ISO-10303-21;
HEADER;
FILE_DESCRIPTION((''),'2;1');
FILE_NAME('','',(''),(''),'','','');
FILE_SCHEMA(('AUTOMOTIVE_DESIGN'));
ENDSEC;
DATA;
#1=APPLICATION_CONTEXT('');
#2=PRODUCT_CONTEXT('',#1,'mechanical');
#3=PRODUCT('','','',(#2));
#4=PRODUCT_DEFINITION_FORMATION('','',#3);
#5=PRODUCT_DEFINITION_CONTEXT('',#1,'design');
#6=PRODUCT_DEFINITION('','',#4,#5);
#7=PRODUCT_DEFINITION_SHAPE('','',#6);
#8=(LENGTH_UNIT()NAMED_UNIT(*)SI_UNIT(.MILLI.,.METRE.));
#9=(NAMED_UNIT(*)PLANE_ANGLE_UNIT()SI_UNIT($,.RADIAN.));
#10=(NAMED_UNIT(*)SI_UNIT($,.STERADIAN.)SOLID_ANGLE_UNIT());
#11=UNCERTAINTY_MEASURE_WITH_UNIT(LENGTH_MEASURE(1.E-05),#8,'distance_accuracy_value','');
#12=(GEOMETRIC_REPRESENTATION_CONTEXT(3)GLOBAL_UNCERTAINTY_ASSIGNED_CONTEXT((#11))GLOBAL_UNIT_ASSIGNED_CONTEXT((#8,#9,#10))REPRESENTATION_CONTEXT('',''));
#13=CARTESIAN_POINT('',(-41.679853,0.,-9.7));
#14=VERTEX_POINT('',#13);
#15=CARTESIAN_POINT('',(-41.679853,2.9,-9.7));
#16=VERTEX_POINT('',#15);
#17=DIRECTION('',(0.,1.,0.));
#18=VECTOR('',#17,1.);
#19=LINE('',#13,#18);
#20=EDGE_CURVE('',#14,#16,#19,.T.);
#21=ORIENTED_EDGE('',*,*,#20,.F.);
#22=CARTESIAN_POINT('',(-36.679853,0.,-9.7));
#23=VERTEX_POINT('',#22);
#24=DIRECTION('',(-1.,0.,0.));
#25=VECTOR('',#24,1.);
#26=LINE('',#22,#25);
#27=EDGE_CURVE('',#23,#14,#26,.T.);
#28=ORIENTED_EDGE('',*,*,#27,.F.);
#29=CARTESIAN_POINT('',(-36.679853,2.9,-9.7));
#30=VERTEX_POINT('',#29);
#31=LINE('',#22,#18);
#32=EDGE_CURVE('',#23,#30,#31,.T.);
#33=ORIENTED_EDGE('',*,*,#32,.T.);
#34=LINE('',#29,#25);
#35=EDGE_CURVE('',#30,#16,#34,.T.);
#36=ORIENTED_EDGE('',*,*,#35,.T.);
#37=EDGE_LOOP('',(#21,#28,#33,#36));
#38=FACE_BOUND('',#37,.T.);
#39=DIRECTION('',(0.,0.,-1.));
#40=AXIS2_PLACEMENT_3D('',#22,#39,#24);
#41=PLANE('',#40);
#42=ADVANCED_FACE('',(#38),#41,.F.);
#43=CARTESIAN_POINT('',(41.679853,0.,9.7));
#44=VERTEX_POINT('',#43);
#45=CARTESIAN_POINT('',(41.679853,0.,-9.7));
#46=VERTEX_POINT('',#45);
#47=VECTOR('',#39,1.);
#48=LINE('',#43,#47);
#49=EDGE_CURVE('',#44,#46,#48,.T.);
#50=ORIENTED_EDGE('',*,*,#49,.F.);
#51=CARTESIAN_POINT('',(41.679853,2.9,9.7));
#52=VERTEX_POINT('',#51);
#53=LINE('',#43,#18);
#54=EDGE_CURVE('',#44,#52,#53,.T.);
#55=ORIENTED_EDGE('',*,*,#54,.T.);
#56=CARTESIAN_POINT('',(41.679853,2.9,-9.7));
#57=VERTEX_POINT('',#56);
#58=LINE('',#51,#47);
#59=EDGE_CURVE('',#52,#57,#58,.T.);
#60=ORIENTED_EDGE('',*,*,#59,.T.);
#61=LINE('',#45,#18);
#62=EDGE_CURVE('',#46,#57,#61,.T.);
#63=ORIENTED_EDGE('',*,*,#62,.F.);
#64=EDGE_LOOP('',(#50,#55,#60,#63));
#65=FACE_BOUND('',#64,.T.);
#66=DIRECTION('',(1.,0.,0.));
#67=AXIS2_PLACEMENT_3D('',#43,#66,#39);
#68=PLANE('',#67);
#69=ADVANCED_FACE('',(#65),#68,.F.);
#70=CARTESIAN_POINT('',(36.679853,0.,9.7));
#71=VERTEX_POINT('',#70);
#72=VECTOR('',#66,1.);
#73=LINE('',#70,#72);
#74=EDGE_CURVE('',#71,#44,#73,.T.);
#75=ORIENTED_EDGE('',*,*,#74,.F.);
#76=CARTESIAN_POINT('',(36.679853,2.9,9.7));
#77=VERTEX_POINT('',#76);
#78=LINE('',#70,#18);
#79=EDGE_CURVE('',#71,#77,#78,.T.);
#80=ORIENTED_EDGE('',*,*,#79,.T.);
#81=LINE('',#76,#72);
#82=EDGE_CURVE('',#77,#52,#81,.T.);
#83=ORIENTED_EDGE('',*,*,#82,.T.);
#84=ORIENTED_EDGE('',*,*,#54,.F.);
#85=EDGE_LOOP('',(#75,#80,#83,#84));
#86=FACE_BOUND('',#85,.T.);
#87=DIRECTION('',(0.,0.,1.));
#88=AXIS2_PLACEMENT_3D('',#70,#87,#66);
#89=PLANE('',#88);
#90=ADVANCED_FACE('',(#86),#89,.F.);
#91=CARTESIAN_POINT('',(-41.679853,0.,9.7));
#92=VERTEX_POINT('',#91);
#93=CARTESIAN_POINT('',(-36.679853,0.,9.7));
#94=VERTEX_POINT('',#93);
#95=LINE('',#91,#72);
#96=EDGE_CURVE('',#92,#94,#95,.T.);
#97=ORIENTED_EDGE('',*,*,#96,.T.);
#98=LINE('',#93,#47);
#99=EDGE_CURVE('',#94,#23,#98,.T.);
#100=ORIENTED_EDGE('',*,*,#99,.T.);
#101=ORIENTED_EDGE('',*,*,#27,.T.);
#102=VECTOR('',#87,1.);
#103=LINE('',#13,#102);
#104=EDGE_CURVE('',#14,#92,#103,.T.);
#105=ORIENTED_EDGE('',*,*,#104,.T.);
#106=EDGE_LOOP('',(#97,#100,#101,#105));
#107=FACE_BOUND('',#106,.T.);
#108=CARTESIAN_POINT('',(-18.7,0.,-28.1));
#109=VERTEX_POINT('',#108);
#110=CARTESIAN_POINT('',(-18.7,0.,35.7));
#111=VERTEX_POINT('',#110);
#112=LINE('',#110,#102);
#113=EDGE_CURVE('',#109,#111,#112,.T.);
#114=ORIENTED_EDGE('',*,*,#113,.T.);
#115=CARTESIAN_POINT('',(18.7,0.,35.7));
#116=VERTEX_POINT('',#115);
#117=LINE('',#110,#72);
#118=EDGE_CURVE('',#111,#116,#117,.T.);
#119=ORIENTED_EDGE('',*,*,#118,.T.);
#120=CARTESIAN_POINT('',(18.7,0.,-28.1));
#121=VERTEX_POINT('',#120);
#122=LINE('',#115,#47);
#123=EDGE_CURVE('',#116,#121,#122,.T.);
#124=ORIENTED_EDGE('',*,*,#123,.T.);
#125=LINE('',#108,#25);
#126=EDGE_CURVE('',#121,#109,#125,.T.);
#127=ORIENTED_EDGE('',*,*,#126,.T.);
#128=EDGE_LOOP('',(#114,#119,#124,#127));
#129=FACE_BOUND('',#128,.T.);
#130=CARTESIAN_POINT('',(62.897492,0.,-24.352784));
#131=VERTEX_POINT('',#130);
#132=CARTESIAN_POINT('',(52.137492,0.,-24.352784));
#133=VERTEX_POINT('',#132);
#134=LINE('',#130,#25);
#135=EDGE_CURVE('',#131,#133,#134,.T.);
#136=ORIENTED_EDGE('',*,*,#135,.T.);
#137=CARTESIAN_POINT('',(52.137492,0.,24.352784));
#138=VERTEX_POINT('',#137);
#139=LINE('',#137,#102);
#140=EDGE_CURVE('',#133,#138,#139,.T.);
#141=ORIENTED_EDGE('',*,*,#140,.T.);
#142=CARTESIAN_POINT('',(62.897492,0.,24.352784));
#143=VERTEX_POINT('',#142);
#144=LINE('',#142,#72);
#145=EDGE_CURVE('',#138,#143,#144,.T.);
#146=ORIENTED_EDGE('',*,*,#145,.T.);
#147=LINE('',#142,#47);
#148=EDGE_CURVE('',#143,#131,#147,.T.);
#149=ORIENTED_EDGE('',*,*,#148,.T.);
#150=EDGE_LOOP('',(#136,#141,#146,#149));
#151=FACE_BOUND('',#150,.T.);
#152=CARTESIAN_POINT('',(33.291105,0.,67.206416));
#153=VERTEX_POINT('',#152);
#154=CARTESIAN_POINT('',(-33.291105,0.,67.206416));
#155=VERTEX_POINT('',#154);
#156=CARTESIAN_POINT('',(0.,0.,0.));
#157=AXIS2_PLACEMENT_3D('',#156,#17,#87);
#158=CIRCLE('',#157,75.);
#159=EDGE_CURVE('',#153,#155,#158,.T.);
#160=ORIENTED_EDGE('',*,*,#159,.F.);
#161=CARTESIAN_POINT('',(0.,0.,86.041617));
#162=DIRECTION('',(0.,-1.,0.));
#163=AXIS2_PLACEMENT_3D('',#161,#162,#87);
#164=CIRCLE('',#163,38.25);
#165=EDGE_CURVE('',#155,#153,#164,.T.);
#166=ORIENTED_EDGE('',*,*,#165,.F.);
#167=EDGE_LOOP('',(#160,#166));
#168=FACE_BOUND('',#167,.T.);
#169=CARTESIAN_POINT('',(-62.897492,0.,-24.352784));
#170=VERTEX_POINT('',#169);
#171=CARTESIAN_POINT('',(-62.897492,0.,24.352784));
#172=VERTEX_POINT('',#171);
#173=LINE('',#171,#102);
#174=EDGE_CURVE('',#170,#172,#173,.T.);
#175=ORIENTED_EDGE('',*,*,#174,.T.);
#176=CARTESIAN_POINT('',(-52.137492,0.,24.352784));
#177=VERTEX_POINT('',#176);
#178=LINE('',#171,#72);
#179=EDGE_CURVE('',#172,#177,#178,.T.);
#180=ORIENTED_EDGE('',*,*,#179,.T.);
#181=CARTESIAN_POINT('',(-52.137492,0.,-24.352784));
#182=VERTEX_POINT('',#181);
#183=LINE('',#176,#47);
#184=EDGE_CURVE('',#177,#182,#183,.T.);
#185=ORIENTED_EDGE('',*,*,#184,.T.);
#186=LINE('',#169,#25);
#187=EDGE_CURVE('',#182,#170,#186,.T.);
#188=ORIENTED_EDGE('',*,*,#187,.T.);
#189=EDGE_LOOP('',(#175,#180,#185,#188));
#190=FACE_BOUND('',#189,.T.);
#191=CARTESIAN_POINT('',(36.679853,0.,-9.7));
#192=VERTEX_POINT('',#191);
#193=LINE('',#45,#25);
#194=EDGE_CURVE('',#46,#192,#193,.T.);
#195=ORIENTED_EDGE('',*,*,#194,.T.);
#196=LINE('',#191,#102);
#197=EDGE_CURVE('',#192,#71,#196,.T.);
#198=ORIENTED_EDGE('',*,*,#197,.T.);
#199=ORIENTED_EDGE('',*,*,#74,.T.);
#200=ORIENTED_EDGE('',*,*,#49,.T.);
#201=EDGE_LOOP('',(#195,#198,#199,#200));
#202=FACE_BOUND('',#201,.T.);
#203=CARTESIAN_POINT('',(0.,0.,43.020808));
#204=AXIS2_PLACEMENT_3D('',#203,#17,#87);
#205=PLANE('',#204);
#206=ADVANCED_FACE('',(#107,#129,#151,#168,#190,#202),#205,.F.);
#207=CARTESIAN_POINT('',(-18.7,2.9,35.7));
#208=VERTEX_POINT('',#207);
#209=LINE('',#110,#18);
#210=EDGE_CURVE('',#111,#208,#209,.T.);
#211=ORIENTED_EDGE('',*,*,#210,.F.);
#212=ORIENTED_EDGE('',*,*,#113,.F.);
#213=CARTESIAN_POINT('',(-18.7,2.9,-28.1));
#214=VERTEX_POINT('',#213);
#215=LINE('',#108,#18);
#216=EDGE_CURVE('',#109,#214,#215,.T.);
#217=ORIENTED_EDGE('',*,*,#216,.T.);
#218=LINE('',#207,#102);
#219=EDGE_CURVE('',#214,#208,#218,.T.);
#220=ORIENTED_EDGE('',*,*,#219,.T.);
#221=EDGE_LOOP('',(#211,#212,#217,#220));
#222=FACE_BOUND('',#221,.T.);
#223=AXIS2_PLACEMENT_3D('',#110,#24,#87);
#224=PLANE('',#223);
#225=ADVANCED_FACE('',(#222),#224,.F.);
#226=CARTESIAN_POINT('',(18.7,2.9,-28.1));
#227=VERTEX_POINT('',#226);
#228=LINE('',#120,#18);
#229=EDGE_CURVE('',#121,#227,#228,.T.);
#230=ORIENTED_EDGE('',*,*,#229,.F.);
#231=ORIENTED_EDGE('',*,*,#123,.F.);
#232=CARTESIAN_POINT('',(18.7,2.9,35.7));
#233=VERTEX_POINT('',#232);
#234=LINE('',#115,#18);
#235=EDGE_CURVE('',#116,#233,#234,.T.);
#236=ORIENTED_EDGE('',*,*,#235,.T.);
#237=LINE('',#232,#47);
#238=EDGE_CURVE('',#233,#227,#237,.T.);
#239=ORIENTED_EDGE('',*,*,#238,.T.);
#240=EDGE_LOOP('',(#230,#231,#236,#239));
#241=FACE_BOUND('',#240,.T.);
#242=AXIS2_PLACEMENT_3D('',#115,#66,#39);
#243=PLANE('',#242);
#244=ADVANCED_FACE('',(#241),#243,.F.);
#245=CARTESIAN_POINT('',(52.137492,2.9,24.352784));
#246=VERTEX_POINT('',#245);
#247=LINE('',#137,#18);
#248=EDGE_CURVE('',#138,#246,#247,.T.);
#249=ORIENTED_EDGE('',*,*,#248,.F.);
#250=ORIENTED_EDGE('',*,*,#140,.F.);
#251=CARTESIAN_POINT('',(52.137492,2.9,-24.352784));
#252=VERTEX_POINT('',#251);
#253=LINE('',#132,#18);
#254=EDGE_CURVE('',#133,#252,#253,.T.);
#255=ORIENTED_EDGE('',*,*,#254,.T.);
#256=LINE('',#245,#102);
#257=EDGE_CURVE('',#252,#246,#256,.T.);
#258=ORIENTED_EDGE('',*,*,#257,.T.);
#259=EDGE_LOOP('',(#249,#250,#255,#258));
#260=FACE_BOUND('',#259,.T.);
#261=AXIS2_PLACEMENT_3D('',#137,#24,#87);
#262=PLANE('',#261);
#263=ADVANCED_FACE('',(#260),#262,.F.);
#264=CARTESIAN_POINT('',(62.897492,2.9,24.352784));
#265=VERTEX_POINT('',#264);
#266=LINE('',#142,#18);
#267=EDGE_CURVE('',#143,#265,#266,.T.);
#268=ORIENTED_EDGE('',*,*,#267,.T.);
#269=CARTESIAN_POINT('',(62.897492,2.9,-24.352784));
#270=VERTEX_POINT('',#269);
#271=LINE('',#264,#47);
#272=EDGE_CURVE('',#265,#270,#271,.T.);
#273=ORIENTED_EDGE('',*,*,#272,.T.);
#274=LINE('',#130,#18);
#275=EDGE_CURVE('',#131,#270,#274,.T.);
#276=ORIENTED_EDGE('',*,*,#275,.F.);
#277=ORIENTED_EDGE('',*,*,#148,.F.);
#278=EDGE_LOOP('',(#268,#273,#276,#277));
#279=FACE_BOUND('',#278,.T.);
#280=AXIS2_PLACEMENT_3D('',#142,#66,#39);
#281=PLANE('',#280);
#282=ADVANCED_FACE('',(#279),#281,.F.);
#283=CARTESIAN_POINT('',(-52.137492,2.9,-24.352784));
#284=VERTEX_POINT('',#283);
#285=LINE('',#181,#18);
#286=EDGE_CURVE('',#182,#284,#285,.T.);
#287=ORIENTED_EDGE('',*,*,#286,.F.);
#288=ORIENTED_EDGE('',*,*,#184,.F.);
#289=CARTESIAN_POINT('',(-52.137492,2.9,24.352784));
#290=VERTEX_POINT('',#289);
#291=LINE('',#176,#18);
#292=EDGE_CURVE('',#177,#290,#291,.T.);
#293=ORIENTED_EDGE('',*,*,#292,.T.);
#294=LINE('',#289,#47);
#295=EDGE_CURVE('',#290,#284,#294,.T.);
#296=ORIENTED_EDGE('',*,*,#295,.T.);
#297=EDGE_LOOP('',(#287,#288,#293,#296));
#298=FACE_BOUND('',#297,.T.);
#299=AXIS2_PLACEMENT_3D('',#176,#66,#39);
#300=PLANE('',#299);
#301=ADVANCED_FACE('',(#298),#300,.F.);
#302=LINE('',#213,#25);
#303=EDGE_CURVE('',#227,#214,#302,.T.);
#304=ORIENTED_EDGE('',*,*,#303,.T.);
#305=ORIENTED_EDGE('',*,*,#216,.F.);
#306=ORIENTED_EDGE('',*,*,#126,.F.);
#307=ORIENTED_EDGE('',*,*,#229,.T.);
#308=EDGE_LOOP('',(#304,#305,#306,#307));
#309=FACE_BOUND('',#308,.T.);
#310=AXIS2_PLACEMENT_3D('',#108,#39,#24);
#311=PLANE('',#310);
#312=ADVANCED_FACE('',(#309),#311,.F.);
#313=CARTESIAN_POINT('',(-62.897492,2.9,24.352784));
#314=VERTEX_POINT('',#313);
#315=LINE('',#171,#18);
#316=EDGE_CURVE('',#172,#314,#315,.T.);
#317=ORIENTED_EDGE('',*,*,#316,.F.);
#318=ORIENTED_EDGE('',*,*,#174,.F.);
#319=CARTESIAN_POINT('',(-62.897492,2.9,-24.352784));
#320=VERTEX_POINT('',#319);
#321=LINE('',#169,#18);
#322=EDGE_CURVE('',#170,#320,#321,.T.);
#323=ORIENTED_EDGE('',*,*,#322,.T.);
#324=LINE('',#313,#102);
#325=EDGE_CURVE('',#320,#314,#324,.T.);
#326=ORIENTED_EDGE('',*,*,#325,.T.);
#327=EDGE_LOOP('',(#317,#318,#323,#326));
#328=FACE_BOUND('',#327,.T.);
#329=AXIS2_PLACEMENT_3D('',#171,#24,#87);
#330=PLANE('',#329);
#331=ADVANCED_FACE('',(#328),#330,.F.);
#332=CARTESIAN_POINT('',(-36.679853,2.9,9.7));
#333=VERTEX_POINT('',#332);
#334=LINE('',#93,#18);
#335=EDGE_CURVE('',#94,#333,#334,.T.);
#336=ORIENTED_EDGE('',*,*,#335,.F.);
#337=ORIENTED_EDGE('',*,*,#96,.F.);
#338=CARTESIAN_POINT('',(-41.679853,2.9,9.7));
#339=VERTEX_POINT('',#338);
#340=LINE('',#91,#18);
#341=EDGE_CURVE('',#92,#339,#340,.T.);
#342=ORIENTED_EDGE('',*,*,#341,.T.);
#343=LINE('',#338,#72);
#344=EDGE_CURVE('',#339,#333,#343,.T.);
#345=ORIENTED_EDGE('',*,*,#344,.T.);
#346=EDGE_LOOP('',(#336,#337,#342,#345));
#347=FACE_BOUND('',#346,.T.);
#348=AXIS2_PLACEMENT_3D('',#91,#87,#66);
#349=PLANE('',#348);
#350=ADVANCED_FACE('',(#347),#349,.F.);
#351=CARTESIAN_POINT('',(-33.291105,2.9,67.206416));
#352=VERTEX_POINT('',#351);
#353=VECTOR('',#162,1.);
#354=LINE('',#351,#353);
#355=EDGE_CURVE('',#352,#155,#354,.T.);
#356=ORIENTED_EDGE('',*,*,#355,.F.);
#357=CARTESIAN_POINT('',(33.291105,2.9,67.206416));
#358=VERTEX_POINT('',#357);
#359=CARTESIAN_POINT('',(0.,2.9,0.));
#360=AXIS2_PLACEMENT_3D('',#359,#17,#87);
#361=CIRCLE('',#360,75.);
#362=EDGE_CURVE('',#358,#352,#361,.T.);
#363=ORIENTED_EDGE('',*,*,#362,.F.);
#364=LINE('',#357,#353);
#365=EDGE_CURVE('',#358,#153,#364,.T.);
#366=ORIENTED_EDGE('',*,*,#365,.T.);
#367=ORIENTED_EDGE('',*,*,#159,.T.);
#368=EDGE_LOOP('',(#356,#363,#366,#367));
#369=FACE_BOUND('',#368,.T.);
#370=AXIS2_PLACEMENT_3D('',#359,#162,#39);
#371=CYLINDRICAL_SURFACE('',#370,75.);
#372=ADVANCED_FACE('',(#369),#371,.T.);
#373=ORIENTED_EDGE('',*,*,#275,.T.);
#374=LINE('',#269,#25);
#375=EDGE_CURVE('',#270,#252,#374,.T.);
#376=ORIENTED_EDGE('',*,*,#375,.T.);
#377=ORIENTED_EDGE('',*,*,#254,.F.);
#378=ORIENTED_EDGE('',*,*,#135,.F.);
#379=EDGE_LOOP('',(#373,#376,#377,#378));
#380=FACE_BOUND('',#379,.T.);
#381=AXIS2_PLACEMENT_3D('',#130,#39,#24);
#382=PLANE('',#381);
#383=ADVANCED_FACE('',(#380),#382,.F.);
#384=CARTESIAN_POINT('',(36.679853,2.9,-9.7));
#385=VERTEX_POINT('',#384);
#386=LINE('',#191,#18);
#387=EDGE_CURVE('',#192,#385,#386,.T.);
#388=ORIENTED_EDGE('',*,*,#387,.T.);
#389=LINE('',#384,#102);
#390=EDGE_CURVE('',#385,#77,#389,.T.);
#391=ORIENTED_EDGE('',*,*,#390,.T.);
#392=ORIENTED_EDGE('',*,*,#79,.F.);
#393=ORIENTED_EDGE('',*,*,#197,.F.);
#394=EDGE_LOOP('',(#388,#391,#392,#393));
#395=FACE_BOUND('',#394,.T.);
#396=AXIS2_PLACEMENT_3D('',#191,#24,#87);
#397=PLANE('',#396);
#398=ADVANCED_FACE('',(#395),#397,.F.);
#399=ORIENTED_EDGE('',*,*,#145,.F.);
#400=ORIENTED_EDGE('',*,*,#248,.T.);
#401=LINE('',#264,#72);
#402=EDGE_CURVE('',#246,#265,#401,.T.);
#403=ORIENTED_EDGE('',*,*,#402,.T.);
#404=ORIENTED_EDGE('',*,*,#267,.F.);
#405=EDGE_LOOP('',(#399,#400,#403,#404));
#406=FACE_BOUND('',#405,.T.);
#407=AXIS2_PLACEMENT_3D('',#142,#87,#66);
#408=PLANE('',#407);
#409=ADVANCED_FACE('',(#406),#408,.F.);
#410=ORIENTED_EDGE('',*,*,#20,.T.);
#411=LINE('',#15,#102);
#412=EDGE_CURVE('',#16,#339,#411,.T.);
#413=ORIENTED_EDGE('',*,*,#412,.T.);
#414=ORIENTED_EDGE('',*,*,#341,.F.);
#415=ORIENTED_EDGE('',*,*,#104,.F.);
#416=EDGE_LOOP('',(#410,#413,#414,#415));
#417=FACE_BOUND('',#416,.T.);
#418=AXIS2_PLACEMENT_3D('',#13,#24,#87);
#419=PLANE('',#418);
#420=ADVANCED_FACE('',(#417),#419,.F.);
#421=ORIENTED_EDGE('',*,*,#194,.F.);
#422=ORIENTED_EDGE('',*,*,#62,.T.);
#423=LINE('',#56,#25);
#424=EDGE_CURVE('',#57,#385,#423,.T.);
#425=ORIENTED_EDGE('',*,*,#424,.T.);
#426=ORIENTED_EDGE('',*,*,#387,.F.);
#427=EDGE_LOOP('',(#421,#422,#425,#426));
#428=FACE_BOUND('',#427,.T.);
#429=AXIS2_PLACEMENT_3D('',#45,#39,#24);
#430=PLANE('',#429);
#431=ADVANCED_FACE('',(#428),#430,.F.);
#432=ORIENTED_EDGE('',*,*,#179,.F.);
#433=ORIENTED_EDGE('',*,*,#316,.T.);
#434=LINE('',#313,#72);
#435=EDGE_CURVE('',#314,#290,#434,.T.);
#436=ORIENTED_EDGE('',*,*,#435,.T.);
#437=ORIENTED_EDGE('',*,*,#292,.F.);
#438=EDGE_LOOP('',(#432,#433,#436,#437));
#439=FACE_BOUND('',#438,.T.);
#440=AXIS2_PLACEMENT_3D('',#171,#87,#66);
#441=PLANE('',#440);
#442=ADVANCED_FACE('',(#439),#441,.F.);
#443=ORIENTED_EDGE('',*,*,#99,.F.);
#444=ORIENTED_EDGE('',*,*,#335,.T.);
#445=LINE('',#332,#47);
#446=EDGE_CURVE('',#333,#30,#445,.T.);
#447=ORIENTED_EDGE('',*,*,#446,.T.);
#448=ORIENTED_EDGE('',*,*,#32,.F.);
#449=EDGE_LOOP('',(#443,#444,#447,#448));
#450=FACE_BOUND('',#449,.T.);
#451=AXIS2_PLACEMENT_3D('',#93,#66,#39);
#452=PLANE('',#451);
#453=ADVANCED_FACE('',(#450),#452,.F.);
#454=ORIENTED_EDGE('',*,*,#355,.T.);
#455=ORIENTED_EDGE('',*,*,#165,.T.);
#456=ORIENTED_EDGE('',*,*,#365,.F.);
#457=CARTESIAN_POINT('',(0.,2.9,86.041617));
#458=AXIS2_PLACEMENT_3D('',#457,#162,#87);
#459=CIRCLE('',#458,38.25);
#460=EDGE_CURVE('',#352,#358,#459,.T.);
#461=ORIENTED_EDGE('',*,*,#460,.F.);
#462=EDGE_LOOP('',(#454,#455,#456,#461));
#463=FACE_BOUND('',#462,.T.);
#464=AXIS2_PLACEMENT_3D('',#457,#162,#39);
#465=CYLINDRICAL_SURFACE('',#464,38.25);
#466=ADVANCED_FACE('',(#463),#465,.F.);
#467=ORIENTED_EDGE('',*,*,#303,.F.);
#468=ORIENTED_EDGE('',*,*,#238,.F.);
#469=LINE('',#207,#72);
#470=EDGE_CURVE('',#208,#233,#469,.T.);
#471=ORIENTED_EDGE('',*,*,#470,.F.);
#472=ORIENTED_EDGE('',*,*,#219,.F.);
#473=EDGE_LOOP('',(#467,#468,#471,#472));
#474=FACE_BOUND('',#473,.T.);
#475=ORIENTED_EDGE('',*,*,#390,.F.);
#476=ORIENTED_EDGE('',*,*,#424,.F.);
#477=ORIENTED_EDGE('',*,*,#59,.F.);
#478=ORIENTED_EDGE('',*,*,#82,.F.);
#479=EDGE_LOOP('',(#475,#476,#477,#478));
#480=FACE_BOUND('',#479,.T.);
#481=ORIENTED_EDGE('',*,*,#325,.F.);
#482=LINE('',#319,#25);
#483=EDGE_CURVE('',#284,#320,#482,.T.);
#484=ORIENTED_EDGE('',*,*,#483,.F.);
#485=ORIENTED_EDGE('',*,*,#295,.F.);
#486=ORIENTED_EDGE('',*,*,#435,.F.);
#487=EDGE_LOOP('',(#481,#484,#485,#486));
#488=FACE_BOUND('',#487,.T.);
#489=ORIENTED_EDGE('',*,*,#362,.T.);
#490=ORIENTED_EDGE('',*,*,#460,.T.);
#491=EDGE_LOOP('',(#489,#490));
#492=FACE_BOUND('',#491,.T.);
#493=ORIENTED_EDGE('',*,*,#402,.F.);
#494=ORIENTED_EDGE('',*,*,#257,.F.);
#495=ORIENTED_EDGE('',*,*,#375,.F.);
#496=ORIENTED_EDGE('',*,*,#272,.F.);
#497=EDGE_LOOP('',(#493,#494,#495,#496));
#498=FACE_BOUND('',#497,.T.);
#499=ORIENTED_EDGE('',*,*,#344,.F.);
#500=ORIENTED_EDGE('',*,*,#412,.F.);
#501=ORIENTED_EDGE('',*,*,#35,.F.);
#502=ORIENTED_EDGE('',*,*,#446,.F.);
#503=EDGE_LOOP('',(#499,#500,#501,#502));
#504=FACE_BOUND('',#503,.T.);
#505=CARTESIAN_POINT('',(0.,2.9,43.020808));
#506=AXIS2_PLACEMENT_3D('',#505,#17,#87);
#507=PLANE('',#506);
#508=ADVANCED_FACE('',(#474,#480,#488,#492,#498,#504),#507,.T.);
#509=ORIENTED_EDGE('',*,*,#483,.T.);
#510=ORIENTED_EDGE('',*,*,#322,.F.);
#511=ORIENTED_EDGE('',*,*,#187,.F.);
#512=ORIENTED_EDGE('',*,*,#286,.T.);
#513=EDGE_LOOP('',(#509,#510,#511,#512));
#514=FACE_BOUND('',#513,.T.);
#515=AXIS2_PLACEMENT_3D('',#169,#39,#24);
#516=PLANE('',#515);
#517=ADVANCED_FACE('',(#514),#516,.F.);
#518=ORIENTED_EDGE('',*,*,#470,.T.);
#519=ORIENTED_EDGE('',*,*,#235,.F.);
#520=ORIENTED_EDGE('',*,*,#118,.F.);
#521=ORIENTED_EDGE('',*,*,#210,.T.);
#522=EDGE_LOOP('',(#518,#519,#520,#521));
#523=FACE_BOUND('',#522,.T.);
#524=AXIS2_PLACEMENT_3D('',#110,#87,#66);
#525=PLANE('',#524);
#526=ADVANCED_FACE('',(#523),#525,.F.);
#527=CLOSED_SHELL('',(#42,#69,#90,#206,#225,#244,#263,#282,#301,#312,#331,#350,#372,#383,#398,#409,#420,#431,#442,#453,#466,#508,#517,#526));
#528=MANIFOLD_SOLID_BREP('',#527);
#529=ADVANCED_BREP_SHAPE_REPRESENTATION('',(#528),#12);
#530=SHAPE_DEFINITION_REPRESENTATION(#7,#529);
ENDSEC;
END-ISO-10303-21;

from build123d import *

# Parameters (mm, degrees)
BOSS_EXTRUDE1_DEPTH  = 2.9
SOLENOID_PLACEMENT_W = 37.4
SOLENOID_PLACEMENT_H = 63.8
CUT_EXTRUDE1_DEPTH   = 107.105654892
SKETCH2_W            = 10.76
SKETCH2_H            = 48.705567506
CUT_EXTRUDE2_DEPTH   = 107.105654892
SKETCH3_W            = 5
SKETCH3_H            = 19.4
CUT_EXTRUDE3_DEPTH   = 107.105654892


with BuildPart() as part:
    # Sketch1 → Boss-Extrude1 (new body)
    with BuildSketch(Plane(origin=(0, 0, 0), x_dir=(1, 0, 0), z_dir=(0, 1, 0))):
        with BuildLine():
            ThreePointArc((33.29110537, -67.206415641), (0, 75), (-33.29110537, -67.206415641))
            ThreePointArc((-33.29110537, -67.206415641), (0, -47.791616815), (33.29110537, -67.206415641))
        make_face()
    extrude(amount=BOSS_EXTRUDE1_DEPTH)

    # solenoid placement → Cut-Extrude1 (cut, through all)
    with BuildSketch(Plane(origin=(0, 2.9, 0), x_dir=(1, 0, 0), z_dir=(0, 1, 0))):
        with Locations((0, -3.8)):
            Rectangle(SOLENOID_PLACEMENT_W, SOLENOID_PLACEMENT_H)
    extrude(amount=-CUT_EXTRUDE1_DEPTH, mode=Mode.SUBTRACT)

    # Sketch2 → Cut-Extrude2 (cut, through all)
    with BuildSketch(Plane(origin=(0, 2.9, 0), x_dir=(1, 0, 0), z_dir=(0, 1, 0))):
        with Locations((57.517491988, 0)):
            Rectangle(SKETCH2_W, SKETCH2_H)
        with Locations((-57.517491988, 0)):
            Rectangle(SKETCH2_W, SKETCH2_H)
    extrude(amount=-CUT_EXTRUDE2_DEPTH, mode=Mode.SUBTRACT)

    # Sketch3 → Cut-Extrude3 (cut, through all)
    with BuildSketch(Plane(origin=(0, 2.9, 0), x_dir=(1, 0, 0), z_dir=(0, 1, 0))):
        with Locations((-39.179852803, 0)):
            Rectangle(SKETCH3_W, SKETCH3_H)
        with Locations((39.179852803, 0)):
            Rectangle(SKETCH3_W, SKETCH3_H)
    extrude(amount=-CUT_EXTRUDE3_DEPTH, mode=Mode.SUBTRACT)


solid = part.part
